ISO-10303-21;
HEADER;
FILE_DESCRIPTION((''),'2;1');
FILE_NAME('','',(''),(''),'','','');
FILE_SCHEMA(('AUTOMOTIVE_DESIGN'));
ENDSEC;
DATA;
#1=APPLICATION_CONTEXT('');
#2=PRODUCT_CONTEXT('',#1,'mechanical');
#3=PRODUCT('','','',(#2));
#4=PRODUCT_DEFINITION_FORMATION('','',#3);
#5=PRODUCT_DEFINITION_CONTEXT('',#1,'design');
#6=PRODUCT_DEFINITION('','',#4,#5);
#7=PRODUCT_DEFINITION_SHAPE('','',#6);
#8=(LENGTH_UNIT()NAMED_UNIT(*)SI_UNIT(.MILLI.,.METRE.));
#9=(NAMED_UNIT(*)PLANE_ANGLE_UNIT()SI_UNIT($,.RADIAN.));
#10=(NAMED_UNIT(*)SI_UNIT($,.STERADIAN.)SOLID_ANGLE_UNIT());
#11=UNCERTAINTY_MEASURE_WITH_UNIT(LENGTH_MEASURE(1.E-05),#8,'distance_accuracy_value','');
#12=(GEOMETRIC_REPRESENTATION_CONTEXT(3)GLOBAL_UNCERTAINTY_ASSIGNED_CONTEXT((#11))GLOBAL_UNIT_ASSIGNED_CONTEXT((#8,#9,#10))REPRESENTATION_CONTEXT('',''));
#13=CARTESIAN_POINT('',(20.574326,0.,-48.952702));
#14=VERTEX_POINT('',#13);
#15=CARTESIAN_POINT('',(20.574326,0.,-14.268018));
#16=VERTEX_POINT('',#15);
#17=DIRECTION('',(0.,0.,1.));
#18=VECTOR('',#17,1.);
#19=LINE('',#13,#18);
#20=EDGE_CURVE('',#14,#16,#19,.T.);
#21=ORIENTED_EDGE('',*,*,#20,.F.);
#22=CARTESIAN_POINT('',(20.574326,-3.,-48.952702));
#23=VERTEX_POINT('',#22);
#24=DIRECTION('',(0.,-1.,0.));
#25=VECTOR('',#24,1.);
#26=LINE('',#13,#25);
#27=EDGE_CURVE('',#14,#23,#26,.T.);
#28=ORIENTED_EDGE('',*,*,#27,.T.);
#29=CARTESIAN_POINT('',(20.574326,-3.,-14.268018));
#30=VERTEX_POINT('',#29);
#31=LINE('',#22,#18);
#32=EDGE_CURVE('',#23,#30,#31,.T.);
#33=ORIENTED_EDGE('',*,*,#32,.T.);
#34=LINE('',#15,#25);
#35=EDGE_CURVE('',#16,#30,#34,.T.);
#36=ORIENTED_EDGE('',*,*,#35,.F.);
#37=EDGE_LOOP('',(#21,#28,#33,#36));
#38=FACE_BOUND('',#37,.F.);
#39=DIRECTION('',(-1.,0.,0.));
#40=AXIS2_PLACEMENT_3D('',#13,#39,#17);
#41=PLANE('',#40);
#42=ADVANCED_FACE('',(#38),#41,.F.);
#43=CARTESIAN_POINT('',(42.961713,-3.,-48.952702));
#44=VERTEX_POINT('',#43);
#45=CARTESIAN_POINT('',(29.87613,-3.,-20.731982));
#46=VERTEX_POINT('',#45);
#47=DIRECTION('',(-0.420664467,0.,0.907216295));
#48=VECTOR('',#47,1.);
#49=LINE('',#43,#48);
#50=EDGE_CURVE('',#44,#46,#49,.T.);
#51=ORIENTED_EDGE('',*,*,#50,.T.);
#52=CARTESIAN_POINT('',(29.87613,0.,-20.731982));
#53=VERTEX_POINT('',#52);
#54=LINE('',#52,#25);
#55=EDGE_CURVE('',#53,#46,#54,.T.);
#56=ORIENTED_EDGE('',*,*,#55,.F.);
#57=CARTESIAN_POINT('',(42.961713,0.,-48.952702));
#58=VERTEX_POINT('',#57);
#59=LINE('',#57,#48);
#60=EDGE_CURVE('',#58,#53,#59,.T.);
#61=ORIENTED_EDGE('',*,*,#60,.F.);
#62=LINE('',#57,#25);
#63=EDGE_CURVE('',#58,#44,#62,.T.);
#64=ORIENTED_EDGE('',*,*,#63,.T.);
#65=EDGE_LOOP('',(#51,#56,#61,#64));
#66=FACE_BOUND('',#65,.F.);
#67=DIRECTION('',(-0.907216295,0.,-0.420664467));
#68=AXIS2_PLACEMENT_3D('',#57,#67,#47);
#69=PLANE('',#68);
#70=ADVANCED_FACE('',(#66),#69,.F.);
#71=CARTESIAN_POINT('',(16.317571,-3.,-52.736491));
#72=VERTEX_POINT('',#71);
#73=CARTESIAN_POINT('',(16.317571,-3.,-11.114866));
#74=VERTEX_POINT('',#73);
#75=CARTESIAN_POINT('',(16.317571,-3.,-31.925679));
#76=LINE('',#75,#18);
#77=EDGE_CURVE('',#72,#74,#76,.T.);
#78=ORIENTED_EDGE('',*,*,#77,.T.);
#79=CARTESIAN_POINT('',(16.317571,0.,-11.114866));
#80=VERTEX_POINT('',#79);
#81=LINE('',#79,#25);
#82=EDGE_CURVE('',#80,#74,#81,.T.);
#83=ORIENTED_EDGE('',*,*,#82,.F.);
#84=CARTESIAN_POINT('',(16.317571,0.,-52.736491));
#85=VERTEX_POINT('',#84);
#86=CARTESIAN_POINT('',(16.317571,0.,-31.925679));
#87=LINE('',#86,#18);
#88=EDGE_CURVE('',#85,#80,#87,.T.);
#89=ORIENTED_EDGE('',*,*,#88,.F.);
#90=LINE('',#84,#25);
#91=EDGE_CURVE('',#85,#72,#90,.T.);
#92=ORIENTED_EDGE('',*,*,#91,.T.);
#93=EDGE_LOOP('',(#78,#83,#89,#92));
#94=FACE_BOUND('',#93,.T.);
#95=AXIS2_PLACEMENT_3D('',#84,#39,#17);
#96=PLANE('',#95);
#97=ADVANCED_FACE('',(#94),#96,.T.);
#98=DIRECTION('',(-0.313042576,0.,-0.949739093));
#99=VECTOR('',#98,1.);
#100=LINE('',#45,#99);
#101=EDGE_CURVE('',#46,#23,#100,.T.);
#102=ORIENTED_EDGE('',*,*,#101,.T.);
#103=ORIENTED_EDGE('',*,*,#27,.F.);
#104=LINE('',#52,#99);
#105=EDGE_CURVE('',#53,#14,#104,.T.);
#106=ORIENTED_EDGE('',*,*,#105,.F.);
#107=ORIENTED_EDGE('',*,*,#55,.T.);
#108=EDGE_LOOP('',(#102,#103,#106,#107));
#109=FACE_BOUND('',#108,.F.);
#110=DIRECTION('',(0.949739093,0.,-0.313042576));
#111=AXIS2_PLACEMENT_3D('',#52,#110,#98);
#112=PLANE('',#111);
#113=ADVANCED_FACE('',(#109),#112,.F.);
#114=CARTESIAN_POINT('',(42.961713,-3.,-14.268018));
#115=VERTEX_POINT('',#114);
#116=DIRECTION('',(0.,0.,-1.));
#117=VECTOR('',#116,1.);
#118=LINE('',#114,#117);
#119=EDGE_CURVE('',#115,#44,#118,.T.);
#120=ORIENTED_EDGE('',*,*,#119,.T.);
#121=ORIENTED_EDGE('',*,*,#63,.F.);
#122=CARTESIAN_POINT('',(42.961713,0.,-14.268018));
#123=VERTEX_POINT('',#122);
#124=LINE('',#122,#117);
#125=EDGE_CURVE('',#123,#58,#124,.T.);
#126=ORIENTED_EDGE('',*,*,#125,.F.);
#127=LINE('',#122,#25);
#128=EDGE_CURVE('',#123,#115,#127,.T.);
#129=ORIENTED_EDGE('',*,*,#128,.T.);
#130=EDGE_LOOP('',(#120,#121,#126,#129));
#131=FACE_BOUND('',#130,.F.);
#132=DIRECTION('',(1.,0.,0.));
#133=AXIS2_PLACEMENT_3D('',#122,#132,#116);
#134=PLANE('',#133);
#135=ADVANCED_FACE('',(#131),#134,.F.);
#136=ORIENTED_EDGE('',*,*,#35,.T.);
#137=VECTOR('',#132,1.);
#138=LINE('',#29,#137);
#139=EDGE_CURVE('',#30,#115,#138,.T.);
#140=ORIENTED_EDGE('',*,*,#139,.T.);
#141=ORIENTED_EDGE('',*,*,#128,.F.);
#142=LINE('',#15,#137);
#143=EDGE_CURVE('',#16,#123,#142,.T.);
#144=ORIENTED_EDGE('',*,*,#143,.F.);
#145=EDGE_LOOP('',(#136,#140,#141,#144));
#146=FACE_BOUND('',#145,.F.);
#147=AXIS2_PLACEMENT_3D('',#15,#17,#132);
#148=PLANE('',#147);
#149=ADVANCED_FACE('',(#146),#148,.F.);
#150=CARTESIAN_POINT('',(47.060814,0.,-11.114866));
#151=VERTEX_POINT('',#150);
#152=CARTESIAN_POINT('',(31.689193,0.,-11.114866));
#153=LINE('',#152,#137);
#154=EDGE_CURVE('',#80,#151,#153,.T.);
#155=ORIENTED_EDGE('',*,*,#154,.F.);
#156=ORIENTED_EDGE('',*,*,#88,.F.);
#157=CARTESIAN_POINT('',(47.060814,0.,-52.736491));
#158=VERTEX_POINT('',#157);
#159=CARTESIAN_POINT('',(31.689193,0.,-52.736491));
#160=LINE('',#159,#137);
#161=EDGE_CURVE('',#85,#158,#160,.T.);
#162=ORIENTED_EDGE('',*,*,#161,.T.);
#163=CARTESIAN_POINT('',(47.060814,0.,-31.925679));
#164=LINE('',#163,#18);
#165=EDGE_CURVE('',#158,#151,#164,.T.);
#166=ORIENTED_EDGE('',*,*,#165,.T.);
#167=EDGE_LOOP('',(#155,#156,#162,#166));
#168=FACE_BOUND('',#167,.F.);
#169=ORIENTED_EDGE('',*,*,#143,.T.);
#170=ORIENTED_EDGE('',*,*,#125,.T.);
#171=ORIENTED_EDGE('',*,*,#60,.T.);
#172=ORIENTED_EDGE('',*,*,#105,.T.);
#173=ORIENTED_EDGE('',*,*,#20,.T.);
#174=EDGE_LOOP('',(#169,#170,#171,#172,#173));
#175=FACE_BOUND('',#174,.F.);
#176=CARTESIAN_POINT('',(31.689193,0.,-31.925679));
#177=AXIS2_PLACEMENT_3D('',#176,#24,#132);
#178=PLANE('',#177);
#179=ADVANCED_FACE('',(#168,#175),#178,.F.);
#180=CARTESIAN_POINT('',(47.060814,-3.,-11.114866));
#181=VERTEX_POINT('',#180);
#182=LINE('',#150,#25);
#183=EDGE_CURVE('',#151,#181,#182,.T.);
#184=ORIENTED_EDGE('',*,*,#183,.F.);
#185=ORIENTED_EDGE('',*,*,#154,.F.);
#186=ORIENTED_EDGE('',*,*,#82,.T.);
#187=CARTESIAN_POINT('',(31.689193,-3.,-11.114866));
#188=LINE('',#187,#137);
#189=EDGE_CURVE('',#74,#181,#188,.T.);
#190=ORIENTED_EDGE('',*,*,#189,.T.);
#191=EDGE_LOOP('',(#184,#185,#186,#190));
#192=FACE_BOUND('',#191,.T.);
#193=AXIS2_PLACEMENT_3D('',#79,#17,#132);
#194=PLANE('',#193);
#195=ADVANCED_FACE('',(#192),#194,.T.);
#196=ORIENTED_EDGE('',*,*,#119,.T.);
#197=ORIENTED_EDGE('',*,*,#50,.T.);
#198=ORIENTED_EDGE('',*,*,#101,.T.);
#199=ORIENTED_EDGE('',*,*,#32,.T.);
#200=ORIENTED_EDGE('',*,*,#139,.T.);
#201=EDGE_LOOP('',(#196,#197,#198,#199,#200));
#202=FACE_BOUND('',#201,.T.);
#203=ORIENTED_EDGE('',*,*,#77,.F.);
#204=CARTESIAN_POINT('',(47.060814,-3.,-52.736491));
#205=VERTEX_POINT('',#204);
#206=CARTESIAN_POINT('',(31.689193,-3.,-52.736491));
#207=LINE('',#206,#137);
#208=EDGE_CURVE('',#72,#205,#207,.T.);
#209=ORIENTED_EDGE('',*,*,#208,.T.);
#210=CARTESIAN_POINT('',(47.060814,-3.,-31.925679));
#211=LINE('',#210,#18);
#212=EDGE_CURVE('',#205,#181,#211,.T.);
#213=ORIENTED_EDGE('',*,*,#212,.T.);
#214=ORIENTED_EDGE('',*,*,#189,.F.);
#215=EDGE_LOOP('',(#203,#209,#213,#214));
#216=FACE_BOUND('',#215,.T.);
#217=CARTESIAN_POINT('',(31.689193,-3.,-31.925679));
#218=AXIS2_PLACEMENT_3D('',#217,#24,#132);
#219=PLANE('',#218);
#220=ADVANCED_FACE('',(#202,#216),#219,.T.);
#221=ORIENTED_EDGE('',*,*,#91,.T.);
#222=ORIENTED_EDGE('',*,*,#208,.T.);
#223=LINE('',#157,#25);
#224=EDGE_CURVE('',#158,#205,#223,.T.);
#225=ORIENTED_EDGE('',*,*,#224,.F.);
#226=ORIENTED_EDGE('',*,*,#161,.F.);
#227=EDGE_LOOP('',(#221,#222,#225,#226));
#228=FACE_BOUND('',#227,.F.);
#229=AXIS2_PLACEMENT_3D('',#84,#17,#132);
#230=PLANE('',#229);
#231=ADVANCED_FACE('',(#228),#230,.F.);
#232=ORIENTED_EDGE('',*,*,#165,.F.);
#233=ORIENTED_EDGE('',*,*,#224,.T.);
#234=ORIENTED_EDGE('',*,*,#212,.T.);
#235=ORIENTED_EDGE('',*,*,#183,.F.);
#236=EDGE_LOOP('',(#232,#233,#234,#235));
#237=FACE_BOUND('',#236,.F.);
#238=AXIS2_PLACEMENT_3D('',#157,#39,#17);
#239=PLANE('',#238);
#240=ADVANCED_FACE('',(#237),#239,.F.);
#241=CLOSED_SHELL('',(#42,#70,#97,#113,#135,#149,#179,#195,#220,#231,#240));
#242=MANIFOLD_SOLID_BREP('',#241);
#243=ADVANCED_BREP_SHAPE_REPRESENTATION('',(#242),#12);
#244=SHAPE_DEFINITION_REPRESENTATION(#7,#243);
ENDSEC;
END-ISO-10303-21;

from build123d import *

# Parameters (mm, degrees)
F0_W     = 30.743243
F0_H     = 41.621625
F1_DEPTH = 3


with BuildPart() as f1:
    # F0 (on Front) → F1 (new body)
    with BuildSketch(Plane.XZ):
        with Locations((31.689193, -31.925679)):
            Rectangle(F0_W, F0_H)
        Polygon((20.574326, -48.952702), (20.574326, -14.268018), (42.961713, -14.268018), (42.961713, -48.952702), (29.87613, -20.731982), align=None, mode=Mode.SUBTRACT)
    extrude(amount=F1_DEPTH)


solid = f1.part
